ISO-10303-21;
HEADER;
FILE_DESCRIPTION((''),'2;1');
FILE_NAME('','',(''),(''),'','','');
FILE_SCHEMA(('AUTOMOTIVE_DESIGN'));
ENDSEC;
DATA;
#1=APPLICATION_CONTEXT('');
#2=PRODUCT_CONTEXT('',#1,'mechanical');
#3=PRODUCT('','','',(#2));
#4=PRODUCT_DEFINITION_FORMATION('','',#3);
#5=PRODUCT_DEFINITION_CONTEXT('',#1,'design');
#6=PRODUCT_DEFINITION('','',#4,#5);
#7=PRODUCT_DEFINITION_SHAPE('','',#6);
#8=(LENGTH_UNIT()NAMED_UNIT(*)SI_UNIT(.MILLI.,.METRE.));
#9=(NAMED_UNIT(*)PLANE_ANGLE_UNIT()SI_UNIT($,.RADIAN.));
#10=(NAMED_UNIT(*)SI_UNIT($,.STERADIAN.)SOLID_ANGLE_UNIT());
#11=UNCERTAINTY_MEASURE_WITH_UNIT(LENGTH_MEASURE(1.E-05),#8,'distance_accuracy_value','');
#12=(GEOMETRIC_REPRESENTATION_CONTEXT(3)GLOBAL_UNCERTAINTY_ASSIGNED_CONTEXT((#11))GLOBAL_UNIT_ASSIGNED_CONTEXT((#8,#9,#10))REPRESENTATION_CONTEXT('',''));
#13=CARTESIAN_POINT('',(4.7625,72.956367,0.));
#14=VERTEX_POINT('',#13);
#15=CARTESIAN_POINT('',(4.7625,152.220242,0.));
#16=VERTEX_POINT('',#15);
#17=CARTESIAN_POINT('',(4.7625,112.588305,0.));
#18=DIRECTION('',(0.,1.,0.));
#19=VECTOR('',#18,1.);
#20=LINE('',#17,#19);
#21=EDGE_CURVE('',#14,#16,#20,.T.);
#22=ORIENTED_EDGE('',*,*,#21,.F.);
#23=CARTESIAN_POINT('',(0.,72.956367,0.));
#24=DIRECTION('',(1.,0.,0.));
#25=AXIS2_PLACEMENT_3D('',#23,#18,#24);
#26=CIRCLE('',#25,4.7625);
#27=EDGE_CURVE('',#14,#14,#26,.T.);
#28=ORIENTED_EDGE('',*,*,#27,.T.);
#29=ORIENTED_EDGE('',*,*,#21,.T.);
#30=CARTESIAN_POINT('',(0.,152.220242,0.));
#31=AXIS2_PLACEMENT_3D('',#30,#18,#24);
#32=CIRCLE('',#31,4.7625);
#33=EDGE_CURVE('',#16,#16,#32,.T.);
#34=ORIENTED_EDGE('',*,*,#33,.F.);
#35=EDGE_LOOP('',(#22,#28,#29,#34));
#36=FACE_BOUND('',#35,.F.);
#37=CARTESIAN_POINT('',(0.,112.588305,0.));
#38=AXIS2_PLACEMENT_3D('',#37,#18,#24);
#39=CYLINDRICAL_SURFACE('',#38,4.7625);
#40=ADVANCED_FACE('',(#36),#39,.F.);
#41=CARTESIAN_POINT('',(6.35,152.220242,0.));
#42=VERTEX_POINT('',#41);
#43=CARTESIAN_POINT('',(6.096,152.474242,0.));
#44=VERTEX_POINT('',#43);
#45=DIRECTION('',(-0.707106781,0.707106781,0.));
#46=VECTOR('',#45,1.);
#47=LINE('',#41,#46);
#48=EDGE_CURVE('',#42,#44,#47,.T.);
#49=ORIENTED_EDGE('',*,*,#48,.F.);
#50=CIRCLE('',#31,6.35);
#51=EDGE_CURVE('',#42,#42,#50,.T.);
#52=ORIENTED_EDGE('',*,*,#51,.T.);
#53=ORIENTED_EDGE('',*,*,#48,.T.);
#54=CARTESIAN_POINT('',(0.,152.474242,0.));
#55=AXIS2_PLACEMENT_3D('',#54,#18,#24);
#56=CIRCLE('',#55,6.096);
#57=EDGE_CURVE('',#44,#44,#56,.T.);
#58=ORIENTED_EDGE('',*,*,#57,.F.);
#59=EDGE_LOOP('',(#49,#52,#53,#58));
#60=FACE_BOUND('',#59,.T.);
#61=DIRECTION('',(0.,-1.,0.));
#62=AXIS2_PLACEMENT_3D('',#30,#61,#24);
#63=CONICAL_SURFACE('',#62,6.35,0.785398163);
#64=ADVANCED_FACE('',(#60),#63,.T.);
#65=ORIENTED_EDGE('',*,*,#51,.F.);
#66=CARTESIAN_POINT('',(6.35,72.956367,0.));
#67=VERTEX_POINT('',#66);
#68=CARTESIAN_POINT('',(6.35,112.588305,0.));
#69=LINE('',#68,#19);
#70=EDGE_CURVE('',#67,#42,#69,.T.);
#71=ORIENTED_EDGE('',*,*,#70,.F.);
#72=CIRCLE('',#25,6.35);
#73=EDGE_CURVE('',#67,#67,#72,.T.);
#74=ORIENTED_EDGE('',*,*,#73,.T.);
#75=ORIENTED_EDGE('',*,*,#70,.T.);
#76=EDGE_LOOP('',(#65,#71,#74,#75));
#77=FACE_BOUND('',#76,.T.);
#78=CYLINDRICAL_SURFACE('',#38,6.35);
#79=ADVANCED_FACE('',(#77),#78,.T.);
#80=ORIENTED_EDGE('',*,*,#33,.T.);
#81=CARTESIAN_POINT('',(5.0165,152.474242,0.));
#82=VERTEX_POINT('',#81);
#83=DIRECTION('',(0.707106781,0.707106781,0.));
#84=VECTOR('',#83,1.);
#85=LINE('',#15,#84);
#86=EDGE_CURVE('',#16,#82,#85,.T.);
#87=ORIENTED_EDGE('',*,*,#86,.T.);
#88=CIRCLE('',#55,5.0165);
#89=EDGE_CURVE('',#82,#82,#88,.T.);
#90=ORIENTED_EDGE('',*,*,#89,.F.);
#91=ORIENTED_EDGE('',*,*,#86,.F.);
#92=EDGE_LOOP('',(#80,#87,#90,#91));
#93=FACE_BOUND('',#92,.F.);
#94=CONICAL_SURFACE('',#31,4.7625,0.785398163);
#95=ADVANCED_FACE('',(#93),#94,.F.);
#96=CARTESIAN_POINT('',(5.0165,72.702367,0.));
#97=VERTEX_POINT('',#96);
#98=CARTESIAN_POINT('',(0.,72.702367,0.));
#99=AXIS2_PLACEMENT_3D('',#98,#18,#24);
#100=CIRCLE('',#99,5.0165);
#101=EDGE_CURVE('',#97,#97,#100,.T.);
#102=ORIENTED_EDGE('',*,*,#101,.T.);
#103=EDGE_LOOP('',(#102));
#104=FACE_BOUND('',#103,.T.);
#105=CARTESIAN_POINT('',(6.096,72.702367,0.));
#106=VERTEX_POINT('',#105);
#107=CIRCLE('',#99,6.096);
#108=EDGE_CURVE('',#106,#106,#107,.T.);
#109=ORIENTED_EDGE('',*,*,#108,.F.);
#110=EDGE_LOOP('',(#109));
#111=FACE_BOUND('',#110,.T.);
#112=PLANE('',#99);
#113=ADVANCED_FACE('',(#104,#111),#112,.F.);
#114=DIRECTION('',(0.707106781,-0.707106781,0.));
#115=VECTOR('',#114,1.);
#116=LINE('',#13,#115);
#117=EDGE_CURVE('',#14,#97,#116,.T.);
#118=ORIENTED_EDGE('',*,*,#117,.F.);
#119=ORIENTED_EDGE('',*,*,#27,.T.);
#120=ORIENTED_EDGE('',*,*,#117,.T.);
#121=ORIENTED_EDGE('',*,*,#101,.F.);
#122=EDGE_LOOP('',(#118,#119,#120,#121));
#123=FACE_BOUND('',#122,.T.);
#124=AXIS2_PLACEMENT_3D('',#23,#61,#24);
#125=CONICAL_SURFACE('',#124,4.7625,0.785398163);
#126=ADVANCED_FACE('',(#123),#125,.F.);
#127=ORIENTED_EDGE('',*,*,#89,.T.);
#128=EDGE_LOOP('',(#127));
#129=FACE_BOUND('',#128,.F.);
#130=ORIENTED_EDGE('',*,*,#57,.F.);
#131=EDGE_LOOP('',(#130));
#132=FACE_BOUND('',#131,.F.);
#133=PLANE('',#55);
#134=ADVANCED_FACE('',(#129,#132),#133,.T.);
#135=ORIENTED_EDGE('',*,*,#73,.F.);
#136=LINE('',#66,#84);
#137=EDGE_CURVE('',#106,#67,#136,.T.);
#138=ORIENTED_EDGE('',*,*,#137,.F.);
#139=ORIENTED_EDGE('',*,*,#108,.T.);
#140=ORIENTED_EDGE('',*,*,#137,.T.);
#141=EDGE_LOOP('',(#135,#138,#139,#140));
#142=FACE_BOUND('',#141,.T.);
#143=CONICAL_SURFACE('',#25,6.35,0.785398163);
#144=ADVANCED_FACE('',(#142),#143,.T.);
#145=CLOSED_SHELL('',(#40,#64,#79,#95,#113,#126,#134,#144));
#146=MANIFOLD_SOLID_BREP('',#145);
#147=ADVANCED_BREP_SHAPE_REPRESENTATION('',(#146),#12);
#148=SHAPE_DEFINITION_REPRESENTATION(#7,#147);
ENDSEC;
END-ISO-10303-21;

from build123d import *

# Parameters (mm, degrees)
SKETCH1_W     = 1.5875
SKETCH1_H     = 79.771875
CHAMFER1_SIZE = 0.254


with BuildPart() as part:
    # Sketch1 → Revolve1 (revolve)
    with BuildSketch(Plane.XY):
        with Locations((5.55625, 112.588304964)):
            Rectangle(SKETCH1_W, SKETCH1_H)
    revolve(axis=Axis((0, 63.177367464, 0), (0, 1, 0)))

    # Chamfer1
    chamfer1_edges = [part.edges().sort_by_distance(p)[0] for p in [
        (-6.35, 72.702367465, 0),
        (-6.349999995, 152.474242465, 0),
        (-4.762499995, 152.474242465, 0),
        (-4.7625, 72.702367464, 0),
    ]]
    chamfer(chamfer1_edges, length=CHAMFER1_SIZE)


solid = part.part
